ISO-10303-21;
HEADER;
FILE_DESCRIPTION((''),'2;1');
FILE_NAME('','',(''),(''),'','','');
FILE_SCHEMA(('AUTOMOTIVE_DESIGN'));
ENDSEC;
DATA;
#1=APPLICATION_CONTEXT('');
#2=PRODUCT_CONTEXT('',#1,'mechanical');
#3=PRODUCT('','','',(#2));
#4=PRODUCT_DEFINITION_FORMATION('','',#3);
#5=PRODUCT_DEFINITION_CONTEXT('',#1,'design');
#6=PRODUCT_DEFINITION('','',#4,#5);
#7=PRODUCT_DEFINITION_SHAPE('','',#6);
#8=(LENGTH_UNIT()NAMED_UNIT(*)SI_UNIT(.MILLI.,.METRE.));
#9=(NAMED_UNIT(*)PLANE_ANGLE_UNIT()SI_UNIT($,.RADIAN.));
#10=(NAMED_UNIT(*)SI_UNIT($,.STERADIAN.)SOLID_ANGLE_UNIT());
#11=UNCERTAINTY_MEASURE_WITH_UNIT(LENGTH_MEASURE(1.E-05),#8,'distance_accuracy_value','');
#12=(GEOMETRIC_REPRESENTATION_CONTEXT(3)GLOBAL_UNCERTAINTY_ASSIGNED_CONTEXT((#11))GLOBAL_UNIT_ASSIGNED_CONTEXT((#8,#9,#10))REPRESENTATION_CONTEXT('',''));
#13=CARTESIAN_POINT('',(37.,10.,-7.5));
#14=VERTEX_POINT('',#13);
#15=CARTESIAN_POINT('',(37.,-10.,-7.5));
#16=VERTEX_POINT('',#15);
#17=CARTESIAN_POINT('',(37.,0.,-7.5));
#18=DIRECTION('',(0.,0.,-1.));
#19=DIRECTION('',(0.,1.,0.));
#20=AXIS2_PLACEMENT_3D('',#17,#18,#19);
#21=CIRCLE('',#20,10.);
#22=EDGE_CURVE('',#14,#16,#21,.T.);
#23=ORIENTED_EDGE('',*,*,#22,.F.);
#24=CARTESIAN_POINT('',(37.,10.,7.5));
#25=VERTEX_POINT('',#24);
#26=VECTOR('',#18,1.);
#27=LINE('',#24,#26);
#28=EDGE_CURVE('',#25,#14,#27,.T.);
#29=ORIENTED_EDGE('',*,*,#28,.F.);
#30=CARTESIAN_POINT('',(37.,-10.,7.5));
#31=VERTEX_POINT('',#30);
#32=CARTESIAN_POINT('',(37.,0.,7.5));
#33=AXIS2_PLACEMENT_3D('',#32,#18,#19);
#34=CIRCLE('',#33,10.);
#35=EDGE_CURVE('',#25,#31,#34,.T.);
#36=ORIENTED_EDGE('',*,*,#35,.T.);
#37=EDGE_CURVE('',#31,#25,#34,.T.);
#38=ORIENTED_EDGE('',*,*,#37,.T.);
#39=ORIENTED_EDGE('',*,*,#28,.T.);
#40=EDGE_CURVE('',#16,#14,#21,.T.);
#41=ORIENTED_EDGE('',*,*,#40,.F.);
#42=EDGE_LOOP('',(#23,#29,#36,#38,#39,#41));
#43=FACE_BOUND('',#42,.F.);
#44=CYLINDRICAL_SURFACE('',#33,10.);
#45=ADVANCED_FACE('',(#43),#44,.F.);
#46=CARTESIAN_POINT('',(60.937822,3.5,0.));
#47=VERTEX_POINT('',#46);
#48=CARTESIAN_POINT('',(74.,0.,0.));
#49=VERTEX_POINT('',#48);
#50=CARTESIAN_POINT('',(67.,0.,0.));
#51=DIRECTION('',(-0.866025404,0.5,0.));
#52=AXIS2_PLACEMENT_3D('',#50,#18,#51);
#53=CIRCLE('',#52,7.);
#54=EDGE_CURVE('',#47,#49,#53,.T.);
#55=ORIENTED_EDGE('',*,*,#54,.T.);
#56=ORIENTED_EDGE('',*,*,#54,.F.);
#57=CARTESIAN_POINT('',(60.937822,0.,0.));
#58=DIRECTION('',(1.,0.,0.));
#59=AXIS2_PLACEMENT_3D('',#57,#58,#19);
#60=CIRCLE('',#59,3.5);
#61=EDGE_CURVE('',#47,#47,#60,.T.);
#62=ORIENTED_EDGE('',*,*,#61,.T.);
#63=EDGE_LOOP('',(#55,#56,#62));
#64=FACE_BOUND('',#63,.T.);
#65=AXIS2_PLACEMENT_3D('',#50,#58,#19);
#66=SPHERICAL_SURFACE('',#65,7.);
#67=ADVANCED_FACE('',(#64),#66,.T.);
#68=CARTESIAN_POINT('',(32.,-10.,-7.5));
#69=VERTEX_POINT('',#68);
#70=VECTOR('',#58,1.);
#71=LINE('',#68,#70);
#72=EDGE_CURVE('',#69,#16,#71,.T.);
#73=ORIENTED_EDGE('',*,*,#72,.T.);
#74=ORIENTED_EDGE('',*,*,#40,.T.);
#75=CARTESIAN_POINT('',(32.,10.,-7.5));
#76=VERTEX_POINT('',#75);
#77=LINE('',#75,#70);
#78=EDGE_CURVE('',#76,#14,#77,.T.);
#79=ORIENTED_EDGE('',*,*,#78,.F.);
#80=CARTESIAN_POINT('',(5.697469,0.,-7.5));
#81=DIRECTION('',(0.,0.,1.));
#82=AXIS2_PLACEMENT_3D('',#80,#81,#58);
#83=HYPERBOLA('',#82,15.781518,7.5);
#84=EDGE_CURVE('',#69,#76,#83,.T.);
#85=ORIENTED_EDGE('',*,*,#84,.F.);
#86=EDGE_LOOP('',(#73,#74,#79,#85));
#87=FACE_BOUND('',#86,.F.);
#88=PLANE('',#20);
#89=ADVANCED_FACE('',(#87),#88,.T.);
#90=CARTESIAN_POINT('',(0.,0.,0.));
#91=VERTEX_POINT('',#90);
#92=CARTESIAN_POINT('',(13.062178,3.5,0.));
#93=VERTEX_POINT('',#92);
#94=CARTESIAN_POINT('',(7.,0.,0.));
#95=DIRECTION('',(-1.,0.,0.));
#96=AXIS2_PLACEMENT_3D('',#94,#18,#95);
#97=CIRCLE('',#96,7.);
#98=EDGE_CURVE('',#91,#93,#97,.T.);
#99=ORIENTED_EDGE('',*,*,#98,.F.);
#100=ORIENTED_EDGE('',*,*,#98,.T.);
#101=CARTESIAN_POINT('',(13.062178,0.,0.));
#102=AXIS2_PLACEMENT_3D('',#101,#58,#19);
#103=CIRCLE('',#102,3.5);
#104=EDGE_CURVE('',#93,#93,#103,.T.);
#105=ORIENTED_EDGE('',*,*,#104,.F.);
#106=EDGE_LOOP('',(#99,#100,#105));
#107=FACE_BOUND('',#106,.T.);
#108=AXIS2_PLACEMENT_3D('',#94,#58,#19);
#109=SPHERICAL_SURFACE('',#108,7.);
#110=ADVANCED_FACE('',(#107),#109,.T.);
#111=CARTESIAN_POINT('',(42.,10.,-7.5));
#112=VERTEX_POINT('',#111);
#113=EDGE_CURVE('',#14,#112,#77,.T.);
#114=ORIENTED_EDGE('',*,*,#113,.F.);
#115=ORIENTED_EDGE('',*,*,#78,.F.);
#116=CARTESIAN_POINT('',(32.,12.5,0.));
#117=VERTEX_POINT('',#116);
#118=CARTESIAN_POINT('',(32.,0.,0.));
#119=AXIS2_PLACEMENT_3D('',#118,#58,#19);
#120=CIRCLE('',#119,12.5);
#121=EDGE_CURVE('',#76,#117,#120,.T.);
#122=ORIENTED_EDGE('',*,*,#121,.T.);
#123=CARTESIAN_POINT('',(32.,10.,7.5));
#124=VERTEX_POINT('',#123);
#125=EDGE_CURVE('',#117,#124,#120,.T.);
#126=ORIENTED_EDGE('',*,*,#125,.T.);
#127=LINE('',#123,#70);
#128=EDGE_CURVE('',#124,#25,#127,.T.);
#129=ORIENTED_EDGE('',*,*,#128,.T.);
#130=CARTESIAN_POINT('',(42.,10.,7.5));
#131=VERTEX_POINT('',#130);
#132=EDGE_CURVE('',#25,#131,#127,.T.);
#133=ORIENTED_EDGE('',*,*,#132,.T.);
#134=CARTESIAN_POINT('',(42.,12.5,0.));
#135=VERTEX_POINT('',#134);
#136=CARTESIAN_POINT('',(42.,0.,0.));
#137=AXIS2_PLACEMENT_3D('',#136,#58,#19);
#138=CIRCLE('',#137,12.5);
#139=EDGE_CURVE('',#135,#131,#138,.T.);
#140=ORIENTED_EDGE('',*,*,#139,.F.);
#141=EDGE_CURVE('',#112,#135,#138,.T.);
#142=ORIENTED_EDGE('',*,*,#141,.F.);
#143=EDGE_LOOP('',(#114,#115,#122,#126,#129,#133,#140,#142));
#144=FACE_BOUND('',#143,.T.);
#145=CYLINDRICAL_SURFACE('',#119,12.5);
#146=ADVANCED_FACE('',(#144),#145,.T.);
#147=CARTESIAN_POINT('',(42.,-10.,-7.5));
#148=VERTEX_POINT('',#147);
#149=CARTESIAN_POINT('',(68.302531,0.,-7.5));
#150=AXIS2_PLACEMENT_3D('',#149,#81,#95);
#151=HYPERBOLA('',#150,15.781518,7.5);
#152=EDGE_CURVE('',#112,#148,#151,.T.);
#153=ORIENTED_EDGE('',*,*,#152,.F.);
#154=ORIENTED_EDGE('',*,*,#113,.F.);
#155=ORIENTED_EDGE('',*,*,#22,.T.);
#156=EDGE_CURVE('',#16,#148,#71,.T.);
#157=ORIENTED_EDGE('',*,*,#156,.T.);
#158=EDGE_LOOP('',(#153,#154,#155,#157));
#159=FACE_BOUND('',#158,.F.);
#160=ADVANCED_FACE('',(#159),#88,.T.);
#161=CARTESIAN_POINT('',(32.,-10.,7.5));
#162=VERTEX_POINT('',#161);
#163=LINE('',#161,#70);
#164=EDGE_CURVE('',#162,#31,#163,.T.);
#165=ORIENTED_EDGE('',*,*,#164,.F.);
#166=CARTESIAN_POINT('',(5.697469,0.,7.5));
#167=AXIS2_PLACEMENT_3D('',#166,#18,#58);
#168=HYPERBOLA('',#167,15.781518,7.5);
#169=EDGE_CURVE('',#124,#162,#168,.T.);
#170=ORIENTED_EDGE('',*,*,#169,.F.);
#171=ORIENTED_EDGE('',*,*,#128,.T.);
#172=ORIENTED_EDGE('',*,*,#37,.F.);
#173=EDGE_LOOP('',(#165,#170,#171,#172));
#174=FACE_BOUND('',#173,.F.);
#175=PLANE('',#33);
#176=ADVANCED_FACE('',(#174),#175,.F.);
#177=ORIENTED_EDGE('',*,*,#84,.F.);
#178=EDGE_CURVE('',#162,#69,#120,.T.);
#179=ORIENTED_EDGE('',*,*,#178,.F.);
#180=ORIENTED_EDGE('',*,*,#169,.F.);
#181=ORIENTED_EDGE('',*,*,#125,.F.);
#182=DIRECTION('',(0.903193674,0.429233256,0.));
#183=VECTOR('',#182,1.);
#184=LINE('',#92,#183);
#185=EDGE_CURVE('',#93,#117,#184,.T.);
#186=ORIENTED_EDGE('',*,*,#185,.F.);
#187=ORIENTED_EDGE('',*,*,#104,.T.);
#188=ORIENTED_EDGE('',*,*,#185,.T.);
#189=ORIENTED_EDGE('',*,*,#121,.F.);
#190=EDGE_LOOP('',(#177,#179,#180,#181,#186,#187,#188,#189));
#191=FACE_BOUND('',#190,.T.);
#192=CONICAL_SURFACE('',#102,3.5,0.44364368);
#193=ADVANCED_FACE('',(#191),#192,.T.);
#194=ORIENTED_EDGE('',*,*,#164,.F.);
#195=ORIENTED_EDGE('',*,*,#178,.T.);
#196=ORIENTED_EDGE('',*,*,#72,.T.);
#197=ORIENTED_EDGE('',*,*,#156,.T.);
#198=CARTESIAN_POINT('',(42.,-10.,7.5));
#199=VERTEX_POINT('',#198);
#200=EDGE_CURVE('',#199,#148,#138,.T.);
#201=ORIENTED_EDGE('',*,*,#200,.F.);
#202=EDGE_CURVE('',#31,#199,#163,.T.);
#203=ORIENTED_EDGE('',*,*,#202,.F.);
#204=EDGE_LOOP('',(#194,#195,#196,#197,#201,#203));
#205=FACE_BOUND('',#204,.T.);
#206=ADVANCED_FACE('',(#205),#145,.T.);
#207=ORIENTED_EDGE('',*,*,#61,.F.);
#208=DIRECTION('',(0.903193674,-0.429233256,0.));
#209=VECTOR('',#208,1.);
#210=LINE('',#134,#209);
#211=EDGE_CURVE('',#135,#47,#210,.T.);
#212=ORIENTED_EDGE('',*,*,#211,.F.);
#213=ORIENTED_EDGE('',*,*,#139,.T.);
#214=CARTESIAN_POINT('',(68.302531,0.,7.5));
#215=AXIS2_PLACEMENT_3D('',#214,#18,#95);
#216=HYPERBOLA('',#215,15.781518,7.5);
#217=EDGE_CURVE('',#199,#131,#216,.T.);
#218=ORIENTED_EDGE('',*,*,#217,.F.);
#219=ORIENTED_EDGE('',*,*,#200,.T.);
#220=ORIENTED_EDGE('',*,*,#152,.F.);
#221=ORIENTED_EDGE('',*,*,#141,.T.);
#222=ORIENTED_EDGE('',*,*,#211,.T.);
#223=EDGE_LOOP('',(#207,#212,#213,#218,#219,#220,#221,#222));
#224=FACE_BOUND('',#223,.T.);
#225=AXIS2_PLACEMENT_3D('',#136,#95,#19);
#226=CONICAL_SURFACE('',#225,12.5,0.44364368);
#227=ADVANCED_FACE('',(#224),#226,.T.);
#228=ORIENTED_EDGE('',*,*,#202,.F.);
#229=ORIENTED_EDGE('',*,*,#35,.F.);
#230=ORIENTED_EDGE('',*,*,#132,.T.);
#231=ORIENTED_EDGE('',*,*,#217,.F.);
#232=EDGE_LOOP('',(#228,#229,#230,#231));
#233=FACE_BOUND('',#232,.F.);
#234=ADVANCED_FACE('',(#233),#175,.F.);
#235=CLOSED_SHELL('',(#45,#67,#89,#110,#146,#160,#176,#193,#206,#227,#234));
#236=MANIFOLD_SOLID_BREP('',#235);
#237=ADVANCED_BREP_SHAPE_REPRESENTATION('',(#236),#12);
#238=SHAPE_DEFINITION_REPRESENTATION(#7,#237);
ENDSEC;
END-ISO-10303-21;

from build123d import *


with BuildPart() as part:
    # Эскиз1 → Повернуть1 (revolve)
    with BuildSketch(Plane.XY):
        with BuildLine():
            Line((13.062177826, 3.5), (32, 12.5))
            Line((32, 12.5), (42, 12.5))
            Line((42, 12.5), (60.937822174, 3.5))
            ThreePointArc((60.937822174, 3.5), (68.811733316, 6.761480784), (74, 0))
            Line((74, 0), (0, 0))
            ThreePointArc((0, 0), (5.188266684, 6.761480784), (13.062177826, 3.5))
        make_face()
    revolve(axis=Axis((0, 0, 0), (1, 0, 0)))

    # Эскиз4 → Вырез-Повернуть1 (revolve, cut)
    with BuildSketch(Plane(origin=(37, 0, 0), x_dir=(0, 0, -1), z_dir=(1, 0, 0))):
        Polygon((-7.5, 10), (7.5, 10), (7.5, 20), (15, 20), (15, 0), (-15, 0), (-15, 20), (-7.5, 20), align=None)
    revolve(axis=Axis((37, 0, 0), (0, 0, -1)), mode=Mode.SUBTRACT)


solid = part.part
